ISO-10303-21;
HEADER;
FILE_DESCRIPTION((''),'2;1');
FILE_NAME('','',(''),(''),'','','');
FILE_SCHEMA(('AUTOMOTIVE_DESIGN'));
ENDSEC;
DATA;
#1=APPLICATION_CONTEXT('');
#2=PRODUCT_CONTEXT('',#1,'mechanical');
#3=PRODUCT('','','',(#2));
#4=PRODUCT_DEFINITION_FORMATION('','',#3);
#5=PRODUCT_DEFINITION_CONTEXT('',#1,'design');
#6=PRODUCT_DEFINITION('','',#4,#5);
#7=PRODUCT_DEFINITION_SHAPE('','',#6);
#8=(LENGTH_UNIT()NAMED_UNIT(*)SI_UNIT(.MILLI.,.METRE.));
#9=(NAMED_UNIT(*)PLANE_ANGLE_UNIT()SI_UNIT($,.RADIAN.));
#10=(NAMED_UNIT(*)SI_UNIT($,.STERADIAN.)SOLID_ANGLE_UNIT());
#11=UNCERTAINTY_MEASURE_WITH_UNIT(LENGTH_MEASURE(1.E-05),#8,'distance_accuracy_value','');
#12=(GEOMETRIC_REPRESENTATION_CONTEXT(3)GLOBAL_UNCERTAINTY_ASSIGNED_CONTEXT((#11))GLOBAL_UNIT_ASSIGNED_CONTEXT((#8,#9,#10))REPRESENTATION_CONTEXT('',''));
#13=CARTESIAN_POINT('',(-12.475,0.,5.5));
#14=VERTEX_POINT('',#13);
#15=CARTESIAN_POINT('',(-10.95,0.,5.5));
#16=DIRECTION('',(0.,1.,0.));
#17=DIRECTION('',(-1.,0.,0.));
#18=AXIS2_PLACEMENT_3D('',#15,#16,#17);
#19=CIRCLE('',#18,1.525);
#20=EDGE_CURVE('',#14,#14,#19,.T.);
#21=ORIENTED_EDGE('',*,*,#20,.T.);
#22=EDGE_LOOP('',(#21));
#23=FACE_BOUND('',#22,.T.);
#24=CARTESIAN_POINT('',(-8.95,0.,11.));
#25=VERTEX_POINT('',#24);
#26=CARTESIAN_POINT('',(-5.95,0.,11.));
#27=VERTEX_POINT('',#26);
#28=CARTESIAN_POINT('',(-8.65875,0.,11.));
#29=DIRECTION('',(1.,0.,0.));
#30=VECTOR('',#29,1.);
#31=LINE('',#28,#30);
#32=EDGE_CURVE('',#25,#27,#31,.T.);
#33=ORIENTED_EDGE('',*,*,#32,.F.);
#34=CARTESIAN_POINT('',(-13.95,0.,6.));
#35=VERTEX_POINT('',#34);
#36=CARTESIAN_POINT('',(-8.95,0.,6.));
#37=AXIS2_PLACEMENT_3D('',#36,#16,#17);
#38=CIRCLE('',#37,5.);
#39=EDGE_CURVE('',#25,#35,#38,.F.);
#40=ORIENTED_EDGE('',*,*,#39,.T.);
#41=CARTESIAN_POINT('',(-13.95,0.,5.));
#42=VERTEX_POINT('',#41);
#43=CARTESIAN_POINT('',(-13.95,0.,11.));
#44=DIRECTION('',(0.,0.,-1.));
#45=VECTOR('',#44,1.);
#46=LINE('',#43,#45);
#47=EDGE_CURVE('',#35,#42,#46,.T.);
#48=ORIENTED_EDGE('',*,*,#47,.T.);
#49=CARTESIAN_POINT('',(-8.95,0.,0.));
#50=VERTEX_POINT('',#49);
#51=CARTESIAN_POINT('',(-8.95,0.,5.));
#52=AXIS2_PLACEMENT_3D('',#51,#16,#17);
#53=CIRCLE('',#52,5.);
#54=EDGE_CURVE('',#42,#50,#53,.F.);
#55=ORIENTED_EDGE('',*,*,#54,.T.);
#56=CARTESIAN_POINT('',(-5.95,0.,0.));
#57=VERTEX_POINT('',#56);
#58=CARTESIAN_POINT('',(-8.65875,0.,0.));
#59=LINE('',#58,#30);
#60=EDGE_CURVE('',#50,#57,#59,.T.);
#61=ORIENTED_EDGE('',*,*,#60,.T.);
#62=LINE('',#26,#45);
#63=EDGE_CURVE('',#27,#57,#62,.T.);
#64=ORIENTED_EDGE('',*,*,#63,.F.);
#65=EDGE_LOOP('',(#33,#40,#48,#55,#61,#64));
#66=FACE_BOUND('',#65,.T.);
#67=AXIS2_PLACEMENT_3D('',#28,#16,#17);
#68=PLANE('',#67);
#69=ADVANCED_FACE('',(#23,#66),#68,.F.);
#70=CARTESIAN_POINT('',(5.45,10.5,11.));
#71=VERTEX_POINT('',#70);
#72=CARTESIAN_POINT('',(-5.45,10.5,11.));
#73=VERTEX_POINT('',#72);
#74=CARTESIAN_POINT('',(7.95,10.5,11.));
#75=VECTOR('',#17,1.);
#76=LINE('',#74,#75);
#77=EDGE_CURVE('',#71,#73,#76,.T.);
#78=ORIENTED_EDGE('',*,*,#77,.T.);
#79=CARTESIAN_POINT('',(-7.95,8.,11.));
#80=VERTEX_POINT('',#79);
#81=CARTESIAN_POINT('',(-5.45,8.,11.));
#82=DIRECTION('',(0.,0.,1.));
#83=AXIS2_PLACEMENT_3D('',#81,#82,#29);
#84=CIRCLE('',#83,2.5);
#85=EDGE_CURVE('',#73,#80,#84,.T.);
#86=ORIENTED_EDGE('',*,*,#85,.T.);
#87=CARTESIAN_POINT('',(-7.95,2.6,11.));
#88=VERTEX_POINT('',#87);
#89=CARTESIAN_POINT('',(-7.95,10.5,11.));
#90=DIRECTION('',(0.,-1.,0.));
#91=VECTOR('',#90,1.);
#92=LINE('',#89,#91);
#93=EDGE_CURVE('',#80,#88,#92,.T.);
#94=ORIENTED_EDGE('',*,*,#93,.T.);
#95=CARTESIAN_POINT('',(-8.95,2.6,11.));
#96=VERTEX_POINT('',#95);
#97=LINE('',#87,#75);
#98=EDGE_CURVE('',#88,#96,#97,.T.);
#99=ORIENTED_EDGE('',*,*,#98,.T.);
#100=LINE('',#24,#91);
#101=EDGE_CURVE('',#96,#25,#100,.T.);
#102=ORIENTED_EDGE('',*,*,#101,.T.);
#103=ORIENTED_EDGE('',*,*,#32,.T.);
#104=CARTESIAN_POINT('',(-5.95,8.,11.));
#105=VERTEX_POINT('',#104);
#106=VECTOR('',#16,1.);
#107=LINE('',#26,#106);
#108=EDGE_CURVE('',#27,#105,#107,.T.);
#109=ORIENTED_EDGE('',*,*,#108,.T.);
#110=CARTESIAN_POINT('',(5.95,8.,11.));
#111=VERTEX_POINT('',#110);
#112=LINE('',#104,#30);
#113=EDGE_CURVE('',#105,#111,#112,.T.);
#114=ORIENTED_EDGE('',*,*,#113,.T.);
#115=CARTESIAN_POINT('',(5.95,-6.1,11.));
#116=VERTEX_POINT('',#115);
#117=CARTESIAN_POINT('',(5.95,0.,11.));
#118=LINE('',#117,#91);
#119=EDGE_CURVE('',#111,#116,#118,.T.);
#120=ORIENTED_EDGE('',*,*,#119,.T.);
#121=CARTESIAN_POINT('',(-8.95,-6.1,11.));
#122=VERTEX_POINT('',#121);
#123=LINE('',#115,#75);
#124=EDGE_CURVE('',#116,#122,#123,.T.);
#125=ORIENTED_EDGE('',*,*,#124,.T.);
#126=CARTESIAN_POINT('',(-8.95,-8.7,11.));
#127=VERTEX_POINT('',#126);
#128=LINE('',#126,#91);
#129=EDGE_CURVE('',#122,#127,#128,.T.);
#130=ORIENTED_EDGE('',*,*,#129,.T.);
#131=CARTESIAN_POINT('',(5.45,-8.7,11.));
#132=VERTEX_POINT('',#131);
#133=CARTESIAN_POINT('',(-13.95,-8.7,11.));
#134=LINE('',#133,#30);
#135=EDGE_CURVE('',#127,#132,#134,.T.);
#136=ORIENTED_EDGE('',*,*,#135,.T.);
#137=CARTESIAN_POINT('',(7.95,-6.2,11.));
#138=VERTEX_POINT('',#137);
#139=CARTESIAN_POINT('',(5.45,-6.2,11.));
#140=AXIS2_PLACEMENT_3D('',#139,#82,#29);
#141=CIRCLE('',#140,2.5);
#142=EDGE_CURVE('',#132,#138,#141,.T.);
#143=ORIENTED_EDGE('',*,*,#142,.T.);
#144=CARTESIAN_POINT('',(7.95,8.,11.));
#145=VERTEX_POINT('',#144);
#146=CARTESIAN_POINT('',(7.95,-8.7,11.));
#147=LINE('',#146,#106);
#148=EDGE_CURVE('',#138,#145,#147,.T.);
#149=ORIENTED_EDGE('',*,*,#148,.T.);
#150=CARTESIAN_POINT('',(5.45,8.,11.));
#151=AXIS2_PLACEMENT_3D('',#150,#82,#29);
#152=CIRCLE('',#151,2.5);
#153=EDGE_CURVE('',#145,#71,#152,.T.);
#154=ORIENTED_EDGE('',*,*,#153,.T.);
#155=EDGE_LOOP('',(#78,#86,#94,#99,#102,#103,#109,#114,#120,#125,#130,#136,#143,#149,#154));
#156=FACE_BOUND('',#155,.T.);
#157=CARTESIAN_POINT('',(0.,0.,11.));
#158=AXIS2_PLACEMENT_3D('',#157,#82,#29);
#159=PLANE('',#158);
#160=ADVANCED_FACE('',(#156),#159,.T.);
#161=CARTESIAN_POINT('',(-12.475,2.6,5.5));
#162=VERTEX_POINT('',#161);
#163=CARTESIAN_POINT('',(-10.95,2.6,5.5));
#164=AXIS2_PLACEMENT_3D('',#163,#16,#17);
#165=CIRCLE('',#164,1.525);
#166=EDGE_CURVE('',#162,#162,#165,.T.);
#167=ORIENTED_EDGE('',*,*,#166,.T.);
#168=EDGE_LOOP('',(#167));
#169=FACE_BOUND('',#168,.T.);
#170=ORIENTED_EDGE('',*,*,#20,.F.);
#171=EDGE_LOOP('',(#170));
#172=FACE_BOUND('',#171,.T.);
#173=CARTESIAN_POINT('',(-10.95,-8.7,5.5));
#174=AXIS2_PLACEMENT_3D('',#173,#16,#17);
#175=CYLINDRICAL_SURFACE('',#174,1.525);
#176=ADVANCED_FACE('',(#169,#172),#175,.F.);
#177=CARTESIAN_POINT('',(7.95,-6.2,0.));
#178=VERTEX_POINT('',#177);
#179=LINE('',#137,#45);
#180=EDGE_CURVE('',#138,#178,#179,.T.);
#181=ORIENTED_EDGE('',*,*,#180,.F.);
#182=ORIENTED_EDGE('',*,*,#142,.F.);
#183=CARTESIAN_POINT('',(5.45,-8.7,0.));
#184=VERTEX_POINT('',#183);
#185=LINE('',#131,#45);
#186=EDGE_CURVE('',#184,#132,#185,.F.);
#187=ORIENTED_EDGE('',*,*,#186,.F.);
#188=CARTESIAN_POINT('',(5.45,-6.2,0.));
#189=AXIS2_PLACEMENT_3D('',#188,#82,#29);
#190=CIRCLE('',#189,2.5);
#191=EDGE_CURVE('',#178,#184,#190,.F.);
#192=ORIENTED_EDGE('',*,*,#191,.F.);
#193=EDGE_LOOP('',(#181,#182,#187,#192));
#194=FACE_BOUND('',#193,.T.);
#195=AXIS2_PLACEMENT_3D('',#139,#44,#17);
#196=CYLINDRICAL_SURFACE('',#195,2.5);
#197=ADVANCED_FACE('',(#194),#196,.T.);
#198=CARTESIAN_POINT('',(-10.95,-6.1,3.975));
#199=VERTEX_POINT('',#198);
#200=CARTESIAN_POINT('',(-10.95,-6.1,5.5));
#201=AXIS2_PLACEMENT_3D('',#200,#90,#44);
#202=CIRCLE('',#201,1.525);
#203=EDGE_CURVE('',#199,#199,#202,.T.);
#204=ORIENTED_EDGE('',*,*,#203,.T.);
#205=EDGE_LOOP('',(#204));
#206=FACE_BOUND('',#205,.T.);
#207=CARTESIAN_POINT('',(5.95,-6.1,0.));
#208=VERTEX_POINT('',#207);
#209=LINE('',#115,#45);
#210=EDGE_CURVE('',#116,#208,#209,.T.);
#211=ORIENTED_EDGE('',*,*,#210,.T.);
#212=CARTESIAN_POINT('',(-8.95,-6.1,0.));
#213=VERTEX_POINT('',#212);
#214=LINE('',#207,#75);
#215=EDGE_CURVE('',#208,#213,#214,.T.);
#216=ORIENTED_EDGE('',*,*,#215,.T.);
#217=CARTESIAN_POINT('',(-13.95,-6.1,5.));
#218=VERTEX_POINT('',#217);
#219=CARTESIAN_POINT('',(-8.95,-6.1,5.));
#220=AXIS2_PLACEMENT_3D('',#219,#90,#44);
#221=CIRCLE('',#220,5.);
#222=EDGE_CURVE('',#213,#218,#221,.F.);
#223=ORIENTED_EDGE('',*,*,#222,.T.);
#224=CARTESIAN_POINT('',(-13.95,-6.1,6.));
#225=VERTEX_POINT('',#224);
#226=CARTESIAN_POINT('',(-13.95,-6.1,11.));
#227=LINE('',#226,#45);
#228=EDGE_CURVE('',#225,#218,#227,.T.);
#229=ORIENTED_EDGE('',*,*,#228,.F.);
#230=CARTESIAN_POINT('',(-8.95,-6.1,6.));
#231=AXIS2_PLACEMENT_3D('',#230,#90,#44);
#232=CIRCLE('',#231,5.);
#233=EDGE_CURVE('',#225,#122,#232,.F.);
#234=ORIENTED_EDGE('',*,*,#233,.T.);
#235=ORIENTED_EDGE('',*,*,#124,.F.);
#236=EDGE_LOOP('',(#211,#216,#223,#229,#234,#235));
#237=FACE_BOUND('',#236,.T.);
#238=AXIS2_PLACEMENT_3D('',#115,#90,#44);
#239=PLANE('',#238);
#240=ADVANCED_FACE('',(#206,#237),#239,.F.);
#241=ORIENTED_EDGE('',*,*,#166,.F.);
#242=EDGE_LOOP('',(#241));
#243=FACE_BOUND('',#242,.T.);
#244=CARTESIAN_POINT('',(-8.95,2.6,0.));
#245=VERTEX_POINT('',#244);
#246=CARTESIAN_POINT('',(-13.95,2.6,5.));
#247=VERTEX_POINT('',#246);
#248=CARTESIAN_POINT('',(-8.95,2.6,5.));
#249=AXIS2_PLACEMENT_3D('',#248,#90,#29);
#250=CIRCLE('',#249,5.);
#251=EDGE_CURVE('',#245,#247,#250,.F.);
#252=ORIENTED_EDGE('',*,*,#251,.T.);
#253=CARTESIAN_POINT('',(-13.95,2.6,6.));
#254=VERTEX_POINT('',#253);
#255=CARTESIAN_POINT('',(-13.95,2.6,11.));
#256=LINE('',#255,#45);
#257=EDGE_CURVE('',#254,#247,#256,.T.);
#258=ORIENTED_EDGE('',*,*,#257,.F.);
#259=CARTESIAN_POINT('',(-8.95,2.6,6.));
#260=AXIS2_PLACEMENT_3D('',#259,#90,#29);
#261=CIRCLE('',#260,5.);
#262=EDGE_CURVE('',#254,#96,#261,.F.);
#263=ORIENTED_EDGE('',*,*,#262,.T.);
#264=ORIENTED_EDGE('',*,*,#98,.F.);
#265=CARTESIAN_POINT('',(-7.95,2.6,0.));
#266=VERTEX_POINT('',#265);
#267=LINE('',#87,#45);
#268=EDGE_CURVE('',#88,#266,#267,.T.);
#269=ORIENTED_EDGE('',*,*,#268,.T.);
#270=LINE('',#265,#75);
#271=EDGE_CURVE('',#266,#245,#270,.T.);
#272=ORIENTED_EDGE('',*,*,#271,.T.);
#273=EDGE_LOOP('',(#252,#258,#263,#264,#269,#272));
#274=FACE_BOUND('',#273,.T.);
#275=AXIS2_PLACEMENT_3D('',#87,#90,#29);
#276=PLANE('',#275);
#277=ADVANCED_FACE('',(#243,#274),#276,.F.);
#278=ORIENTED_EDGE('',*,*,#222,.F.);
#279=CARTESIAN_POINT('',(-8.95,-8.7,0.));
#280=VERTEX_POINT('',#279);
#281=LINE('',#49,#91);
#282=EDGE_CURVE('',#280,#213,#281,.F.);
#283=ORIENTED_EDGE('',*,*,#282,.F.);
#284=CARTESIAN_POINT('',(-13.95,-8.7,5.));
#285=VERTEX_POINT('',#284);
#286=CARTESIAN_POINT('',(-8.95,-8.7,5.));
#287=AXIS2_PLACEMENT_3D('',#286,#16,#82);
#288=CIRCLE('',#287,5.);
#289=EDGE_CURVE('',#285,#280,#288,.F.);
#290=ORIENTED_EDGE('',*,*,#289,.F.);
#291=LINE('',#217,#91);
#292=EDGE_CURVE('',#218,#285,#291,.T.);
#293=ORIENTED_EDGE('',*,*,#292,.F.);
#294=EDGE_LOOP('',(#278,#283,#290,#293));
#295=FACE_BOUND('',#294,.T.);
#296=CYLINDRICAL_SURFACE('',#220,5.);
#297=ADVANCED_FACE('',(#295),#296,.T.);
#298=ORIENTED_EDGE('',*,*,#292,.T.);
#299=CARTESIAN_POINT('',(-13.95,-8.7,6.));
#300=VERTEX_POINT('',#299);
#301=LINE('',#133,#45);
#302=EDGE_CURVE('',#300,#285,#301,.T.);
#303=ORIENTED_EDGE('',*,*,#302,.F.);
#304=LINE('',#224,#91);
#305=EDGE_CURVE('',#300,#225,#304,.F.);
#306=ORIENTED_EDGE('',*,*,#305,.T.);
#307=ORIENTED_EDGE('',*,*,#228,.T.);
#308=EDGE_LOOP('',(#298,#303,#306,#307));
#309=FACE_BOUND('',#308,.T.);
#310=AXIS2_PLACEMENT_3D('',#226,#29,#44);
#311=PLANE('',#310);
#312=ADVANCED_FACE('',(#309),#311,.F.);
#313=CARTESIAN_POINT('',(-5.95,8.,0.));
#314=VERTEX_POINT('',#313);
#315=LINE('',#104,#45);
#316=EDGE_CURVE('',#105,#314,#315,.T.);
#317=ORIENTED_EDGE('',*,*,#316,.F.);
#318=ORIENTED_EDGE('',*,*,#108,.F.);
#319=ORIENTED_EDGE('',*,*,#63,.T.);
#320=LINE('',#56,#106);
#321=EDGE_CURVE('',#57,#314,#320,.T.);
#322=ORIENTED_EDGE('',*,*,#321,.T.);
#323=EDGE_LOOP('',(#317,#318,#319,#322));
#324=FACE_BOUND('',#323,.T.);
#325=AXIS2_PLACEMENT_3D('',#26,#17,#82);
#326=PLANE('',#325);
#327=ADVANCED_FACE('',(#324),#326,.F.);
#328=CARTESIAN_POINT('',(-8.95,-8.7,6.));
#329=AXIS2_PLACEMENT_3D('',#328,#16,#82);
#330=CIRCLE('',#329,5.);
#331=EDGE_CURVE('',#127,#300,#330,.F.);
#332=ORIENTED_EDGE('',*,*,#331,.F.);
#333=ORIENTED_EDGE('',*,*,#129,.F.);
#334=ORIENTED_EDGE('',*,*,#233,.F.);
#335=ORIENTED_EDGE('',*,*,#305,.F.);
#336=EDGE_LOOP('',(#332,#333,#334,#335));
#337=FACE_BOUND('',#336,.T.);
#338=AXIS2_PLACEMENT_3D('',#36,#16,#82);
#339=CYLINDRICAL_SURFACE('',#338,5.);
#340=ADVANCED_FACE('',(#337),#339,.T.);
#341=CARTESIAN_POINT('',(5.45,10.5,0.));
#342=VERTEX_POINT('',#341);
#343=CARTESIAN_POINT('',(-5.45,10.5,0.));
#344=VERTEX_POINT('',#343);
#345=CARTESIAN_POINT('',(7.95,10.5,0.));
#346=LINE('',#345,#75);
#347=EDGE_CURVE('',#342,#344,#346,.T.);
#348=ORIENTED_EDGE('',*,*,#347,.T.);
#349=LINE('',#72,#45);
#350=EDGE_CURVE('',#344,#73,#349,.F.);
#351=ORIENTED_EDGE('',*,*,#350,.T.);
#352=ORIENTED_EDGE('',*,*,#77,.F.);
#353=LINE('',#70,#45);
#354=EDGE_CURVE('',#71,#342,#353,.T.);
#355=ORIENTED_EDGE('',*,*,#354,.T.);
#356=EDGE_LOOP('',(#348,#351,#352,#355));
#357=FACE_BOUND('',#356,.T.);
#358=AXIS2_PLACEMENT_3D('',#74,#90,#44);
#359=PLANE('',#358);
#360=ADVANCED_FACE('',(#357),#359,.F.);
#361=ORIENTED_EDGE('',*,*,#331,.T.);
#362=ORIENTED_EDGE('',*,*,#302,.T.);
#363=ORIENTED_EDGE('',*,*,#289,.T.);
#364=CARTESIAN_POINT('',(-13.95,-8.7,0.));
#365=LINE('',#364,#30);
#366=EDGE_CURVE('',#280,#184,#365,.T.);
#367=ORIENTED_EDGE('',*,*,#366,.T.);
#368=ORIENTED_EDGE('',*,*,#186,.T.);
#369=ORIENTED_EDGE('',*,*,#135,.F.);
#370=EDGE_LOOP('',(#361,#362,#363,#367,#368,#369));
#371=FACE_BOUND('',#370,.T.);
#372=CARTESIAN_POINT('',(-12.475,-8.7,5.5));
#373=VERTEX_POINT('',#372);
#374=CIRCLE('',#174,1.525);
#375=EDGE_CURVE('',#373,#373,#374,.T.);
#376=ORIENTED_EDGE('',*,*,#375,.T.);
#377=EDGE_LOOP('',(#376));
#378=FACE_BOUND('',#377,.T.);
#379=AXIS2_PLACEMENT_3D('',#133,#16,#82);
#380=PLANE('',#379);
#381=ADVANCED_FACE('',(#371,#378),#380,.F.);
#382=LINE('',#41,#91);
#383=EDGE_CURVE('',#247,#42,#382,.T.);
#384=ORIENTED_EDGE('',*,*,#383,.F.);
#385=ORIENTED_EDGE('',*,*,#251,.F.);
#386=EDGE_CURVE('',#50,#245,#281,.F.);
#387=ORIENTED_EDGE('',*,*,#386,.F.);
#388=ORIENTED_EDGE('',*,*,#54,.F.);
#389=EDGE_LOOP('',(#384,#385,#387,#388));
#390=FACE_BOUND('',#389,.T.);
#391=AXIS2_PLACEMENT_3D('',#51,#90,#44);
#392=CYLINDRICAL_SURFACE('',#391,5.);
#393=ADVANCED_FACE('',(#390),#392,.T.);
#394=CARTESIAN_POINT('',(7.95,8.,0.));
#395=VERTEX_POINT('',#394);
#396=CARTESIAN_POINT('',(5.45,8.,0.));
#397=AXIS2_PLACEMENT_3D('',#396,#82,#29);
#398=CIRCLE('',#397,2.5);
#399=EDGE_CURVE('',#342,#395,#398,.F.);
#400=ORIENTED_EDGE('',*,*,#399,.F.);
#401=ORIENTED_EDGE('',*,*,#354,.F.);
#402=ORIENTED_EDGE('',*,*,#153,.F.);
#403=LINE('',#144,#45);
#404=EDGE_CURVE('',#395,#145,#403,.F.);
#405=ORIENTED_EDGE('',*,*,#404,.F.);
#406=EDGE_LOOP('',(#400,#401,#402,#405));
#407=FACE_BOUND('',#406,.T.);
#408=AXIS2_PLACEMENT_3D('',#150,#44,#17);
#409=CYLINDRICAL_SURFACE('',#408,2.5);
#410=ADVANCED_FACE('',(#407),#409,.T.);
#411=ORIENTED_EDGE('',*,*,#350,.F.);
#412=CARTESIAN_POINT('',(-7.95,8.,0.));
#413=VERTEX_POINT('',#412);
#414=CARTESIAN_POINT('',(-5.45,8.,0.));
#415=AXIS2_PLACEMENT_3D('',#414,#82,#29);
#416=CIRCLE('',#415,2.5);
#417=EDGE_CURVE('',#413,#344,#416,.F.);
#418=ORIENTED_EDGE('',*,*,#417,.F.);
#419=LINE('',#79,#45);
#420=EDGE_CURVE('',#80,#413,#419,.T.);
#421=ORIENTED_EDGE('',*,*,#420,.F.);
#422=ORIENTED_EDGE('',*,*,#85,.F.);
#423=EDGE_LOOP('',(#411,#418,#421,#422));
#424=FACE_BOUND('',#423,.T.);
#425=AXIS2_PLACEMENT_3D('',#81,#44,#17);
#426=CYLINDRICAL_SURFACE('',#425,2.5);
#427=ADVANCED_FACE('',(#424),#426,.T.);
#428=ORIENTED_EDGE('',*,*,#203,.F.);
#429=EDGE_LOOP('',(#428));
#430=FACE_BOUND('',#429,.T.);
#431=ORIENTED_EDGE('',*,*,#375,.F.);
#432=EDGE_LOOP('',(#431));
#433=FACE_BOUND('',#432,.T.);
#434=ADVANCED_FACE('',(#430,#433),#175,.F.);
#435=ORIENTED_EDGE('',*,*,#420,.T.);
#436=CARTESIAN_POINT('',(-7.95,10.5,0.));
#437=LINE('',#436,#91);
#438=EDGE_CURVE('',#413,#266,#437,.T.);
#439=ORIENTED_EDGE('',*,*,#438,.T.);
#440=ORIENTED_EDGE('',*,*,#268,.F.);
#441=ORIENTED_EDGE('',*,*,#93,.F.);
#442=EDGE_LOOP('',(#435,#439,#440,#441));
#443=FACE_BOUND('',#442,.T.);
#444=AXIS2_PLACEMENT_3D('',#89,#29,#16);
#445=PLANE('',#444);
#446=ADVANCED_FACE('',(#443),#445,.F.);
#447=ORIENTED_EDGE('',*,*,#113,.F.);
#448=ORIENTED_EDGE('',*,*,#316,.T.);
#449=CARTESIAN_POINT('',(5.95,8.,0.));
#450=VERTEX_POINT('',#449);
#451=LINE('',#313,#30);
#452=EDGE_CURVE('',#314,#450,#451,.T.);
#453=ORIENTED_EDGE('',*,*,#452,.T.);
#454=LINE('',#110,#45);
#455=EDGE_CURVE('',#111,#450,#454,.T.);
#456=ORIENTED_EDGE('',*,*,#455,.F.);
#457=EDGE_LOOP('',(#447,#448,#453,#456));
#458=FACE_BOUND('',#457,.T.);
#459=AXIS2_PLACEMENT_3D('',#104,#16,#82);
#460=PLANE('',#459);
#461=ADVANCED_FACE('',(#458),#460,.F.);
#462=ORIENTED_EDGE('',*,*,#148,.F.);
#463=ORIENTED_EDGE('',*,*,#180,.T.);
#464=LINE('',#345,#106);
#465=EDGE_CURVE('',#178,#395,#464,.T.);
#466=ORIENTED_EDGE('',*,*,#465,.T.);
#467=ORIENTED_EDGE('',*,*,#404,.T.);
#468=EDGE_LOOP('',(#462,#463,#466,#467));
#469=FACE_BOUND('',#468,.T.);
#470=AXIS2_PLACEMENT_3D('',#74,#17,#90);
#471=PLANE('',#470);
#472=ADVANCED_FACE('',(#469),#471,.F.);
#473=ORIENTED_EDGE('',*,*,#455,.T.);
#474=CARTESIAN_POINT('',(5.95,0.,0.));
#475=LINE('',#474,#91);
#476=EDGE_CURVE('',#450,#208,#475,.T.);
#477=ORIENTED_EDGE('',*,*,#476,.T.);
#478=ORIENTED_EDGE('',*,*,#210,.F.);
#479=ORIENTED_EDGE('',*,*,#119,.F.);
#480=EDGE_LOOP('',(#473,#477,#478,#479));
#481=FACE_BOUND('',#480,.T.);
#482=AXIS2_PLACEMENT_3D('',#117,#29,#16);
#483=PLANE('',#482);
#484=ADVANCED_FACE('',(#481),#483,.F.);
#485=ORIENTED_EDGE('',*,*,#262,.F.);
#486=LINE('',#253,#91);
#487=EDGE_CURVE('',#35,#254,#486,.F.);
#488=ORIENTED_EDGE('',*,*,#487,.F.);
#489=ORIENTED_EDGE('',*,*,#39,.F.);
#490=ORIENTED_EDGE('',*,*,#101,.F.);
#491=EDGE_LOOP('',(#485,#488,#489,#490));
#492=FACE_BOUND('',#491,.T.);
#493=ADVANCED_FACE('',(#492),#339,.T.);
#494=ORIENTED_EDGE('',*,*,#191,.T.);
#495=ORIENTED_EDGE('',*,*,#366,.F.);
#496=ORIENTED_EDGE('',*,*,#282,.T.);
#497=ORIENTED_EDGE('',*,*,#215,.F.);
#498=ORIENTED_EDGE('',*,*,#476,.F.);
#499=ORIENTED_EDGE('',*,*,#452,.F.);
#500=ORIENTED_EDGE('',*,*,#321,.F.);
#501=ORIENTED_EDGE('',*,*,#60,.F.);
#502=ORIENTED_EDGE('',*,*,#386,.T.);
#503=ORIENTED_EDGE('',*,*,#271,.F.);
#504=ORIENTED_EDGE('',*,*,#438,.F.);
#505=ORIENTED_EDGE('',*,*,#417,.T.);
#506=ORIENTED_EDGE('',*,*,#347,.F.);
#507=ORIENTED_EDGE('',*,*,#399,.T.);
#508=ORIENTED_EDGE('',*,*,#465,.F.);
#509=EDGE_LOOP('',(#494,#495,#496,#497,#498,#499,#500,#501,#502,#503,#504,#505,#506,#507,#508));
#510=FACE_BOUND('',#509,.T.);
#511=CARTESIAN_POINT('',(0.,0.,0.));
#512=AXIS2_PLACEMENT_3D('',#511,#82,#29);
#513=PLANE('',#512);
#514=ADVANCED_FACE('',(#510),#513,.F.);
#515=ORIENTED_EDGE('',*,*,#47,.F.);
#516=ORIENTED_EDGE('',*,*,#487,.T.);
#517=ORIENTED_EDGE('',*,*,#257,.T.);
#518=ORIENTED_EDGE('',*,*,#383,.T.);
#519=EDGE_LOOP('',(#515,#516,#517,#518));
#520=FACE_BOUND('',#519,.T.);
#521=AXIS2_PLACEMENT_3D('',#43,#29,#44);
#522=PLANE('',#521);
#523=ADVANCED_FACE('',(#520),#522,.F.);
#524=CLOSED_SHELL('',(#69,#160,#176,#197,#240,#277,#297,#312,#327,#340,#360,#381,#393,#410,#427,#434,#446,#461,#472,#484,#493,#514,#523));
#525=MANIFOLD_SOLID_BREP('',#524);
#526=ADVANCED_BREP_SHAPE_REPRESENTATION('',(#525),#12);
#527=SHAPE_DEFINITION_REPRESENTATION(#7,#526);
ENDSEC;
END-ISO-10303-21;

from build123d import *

# Parameters (mm, degrees)
BOSS_EXTRUDE1_DEPTH = 11
FILLET2_R           = 2.5
SKETCH2_R           = 1.525
CUT_EXTRUDE1_DEPTH  = 22.05451258
FILLET3_R           = 5


with BuildPart() as part:
    # Sketch1 → Boss-Extrude1 (new body)
    with BuildSketch(Plane.XY):
        Polygon((-5.95, 0), (-5.95, 8), (5.95, 8), (5.95, 0), (5.95, -6.1), (-13.95, -6.1), (-13.95, -8.7), (7.95, -8.7), (7.95, 2.6), (7.95, 10.5), (-7.95, 10.5), (-7.95, 2.6), (-13.95, 2.6), (-13.95, 0), (-8.65875, 0), align=None)
    extrude(amount=BOSS_EXTRUDE1_DEPTH)

    # Fillet2
    fillet2_edges = [part.edges().sort_by_distance(p)[0] for p in [
        (-7.95, 10.5, 5.5),
        (7.95, 10.5, 5.5),
        (7.95, -8.7, 5.5),
    ]]
    fillet(fillet2_edges, radius=FILLET2_R)

    # Sketch2 → Cut-Extrude1 (cut, through all)
    with BuildSketch(Plane(origin=(0, 2.6, 0), x_dir=(1, 0, 0), z_dir=(0, 1, 0))):
        with Locations(Location((-10.95, -5.5, 0), (0, 0, 180))):
            Circle(SKETCH2_R)
    extrude(amount=-CUT_EXTRUDE1_DEPTH, mode=Mode.SUBTRACT)

    # Fillet3
    fillet3_edges = [part.edges().sort_by_distance(p)[0] for p in [
        (-13.95, 1.3, 0),
        (-13.95, -7.4, 0),
        (-13.95, -7.4, 11),
        (-13.95, 1.3, 11),
    ]]
    fillet(fillet3_edges, radius=FILLET3_R)


solid = part.part
